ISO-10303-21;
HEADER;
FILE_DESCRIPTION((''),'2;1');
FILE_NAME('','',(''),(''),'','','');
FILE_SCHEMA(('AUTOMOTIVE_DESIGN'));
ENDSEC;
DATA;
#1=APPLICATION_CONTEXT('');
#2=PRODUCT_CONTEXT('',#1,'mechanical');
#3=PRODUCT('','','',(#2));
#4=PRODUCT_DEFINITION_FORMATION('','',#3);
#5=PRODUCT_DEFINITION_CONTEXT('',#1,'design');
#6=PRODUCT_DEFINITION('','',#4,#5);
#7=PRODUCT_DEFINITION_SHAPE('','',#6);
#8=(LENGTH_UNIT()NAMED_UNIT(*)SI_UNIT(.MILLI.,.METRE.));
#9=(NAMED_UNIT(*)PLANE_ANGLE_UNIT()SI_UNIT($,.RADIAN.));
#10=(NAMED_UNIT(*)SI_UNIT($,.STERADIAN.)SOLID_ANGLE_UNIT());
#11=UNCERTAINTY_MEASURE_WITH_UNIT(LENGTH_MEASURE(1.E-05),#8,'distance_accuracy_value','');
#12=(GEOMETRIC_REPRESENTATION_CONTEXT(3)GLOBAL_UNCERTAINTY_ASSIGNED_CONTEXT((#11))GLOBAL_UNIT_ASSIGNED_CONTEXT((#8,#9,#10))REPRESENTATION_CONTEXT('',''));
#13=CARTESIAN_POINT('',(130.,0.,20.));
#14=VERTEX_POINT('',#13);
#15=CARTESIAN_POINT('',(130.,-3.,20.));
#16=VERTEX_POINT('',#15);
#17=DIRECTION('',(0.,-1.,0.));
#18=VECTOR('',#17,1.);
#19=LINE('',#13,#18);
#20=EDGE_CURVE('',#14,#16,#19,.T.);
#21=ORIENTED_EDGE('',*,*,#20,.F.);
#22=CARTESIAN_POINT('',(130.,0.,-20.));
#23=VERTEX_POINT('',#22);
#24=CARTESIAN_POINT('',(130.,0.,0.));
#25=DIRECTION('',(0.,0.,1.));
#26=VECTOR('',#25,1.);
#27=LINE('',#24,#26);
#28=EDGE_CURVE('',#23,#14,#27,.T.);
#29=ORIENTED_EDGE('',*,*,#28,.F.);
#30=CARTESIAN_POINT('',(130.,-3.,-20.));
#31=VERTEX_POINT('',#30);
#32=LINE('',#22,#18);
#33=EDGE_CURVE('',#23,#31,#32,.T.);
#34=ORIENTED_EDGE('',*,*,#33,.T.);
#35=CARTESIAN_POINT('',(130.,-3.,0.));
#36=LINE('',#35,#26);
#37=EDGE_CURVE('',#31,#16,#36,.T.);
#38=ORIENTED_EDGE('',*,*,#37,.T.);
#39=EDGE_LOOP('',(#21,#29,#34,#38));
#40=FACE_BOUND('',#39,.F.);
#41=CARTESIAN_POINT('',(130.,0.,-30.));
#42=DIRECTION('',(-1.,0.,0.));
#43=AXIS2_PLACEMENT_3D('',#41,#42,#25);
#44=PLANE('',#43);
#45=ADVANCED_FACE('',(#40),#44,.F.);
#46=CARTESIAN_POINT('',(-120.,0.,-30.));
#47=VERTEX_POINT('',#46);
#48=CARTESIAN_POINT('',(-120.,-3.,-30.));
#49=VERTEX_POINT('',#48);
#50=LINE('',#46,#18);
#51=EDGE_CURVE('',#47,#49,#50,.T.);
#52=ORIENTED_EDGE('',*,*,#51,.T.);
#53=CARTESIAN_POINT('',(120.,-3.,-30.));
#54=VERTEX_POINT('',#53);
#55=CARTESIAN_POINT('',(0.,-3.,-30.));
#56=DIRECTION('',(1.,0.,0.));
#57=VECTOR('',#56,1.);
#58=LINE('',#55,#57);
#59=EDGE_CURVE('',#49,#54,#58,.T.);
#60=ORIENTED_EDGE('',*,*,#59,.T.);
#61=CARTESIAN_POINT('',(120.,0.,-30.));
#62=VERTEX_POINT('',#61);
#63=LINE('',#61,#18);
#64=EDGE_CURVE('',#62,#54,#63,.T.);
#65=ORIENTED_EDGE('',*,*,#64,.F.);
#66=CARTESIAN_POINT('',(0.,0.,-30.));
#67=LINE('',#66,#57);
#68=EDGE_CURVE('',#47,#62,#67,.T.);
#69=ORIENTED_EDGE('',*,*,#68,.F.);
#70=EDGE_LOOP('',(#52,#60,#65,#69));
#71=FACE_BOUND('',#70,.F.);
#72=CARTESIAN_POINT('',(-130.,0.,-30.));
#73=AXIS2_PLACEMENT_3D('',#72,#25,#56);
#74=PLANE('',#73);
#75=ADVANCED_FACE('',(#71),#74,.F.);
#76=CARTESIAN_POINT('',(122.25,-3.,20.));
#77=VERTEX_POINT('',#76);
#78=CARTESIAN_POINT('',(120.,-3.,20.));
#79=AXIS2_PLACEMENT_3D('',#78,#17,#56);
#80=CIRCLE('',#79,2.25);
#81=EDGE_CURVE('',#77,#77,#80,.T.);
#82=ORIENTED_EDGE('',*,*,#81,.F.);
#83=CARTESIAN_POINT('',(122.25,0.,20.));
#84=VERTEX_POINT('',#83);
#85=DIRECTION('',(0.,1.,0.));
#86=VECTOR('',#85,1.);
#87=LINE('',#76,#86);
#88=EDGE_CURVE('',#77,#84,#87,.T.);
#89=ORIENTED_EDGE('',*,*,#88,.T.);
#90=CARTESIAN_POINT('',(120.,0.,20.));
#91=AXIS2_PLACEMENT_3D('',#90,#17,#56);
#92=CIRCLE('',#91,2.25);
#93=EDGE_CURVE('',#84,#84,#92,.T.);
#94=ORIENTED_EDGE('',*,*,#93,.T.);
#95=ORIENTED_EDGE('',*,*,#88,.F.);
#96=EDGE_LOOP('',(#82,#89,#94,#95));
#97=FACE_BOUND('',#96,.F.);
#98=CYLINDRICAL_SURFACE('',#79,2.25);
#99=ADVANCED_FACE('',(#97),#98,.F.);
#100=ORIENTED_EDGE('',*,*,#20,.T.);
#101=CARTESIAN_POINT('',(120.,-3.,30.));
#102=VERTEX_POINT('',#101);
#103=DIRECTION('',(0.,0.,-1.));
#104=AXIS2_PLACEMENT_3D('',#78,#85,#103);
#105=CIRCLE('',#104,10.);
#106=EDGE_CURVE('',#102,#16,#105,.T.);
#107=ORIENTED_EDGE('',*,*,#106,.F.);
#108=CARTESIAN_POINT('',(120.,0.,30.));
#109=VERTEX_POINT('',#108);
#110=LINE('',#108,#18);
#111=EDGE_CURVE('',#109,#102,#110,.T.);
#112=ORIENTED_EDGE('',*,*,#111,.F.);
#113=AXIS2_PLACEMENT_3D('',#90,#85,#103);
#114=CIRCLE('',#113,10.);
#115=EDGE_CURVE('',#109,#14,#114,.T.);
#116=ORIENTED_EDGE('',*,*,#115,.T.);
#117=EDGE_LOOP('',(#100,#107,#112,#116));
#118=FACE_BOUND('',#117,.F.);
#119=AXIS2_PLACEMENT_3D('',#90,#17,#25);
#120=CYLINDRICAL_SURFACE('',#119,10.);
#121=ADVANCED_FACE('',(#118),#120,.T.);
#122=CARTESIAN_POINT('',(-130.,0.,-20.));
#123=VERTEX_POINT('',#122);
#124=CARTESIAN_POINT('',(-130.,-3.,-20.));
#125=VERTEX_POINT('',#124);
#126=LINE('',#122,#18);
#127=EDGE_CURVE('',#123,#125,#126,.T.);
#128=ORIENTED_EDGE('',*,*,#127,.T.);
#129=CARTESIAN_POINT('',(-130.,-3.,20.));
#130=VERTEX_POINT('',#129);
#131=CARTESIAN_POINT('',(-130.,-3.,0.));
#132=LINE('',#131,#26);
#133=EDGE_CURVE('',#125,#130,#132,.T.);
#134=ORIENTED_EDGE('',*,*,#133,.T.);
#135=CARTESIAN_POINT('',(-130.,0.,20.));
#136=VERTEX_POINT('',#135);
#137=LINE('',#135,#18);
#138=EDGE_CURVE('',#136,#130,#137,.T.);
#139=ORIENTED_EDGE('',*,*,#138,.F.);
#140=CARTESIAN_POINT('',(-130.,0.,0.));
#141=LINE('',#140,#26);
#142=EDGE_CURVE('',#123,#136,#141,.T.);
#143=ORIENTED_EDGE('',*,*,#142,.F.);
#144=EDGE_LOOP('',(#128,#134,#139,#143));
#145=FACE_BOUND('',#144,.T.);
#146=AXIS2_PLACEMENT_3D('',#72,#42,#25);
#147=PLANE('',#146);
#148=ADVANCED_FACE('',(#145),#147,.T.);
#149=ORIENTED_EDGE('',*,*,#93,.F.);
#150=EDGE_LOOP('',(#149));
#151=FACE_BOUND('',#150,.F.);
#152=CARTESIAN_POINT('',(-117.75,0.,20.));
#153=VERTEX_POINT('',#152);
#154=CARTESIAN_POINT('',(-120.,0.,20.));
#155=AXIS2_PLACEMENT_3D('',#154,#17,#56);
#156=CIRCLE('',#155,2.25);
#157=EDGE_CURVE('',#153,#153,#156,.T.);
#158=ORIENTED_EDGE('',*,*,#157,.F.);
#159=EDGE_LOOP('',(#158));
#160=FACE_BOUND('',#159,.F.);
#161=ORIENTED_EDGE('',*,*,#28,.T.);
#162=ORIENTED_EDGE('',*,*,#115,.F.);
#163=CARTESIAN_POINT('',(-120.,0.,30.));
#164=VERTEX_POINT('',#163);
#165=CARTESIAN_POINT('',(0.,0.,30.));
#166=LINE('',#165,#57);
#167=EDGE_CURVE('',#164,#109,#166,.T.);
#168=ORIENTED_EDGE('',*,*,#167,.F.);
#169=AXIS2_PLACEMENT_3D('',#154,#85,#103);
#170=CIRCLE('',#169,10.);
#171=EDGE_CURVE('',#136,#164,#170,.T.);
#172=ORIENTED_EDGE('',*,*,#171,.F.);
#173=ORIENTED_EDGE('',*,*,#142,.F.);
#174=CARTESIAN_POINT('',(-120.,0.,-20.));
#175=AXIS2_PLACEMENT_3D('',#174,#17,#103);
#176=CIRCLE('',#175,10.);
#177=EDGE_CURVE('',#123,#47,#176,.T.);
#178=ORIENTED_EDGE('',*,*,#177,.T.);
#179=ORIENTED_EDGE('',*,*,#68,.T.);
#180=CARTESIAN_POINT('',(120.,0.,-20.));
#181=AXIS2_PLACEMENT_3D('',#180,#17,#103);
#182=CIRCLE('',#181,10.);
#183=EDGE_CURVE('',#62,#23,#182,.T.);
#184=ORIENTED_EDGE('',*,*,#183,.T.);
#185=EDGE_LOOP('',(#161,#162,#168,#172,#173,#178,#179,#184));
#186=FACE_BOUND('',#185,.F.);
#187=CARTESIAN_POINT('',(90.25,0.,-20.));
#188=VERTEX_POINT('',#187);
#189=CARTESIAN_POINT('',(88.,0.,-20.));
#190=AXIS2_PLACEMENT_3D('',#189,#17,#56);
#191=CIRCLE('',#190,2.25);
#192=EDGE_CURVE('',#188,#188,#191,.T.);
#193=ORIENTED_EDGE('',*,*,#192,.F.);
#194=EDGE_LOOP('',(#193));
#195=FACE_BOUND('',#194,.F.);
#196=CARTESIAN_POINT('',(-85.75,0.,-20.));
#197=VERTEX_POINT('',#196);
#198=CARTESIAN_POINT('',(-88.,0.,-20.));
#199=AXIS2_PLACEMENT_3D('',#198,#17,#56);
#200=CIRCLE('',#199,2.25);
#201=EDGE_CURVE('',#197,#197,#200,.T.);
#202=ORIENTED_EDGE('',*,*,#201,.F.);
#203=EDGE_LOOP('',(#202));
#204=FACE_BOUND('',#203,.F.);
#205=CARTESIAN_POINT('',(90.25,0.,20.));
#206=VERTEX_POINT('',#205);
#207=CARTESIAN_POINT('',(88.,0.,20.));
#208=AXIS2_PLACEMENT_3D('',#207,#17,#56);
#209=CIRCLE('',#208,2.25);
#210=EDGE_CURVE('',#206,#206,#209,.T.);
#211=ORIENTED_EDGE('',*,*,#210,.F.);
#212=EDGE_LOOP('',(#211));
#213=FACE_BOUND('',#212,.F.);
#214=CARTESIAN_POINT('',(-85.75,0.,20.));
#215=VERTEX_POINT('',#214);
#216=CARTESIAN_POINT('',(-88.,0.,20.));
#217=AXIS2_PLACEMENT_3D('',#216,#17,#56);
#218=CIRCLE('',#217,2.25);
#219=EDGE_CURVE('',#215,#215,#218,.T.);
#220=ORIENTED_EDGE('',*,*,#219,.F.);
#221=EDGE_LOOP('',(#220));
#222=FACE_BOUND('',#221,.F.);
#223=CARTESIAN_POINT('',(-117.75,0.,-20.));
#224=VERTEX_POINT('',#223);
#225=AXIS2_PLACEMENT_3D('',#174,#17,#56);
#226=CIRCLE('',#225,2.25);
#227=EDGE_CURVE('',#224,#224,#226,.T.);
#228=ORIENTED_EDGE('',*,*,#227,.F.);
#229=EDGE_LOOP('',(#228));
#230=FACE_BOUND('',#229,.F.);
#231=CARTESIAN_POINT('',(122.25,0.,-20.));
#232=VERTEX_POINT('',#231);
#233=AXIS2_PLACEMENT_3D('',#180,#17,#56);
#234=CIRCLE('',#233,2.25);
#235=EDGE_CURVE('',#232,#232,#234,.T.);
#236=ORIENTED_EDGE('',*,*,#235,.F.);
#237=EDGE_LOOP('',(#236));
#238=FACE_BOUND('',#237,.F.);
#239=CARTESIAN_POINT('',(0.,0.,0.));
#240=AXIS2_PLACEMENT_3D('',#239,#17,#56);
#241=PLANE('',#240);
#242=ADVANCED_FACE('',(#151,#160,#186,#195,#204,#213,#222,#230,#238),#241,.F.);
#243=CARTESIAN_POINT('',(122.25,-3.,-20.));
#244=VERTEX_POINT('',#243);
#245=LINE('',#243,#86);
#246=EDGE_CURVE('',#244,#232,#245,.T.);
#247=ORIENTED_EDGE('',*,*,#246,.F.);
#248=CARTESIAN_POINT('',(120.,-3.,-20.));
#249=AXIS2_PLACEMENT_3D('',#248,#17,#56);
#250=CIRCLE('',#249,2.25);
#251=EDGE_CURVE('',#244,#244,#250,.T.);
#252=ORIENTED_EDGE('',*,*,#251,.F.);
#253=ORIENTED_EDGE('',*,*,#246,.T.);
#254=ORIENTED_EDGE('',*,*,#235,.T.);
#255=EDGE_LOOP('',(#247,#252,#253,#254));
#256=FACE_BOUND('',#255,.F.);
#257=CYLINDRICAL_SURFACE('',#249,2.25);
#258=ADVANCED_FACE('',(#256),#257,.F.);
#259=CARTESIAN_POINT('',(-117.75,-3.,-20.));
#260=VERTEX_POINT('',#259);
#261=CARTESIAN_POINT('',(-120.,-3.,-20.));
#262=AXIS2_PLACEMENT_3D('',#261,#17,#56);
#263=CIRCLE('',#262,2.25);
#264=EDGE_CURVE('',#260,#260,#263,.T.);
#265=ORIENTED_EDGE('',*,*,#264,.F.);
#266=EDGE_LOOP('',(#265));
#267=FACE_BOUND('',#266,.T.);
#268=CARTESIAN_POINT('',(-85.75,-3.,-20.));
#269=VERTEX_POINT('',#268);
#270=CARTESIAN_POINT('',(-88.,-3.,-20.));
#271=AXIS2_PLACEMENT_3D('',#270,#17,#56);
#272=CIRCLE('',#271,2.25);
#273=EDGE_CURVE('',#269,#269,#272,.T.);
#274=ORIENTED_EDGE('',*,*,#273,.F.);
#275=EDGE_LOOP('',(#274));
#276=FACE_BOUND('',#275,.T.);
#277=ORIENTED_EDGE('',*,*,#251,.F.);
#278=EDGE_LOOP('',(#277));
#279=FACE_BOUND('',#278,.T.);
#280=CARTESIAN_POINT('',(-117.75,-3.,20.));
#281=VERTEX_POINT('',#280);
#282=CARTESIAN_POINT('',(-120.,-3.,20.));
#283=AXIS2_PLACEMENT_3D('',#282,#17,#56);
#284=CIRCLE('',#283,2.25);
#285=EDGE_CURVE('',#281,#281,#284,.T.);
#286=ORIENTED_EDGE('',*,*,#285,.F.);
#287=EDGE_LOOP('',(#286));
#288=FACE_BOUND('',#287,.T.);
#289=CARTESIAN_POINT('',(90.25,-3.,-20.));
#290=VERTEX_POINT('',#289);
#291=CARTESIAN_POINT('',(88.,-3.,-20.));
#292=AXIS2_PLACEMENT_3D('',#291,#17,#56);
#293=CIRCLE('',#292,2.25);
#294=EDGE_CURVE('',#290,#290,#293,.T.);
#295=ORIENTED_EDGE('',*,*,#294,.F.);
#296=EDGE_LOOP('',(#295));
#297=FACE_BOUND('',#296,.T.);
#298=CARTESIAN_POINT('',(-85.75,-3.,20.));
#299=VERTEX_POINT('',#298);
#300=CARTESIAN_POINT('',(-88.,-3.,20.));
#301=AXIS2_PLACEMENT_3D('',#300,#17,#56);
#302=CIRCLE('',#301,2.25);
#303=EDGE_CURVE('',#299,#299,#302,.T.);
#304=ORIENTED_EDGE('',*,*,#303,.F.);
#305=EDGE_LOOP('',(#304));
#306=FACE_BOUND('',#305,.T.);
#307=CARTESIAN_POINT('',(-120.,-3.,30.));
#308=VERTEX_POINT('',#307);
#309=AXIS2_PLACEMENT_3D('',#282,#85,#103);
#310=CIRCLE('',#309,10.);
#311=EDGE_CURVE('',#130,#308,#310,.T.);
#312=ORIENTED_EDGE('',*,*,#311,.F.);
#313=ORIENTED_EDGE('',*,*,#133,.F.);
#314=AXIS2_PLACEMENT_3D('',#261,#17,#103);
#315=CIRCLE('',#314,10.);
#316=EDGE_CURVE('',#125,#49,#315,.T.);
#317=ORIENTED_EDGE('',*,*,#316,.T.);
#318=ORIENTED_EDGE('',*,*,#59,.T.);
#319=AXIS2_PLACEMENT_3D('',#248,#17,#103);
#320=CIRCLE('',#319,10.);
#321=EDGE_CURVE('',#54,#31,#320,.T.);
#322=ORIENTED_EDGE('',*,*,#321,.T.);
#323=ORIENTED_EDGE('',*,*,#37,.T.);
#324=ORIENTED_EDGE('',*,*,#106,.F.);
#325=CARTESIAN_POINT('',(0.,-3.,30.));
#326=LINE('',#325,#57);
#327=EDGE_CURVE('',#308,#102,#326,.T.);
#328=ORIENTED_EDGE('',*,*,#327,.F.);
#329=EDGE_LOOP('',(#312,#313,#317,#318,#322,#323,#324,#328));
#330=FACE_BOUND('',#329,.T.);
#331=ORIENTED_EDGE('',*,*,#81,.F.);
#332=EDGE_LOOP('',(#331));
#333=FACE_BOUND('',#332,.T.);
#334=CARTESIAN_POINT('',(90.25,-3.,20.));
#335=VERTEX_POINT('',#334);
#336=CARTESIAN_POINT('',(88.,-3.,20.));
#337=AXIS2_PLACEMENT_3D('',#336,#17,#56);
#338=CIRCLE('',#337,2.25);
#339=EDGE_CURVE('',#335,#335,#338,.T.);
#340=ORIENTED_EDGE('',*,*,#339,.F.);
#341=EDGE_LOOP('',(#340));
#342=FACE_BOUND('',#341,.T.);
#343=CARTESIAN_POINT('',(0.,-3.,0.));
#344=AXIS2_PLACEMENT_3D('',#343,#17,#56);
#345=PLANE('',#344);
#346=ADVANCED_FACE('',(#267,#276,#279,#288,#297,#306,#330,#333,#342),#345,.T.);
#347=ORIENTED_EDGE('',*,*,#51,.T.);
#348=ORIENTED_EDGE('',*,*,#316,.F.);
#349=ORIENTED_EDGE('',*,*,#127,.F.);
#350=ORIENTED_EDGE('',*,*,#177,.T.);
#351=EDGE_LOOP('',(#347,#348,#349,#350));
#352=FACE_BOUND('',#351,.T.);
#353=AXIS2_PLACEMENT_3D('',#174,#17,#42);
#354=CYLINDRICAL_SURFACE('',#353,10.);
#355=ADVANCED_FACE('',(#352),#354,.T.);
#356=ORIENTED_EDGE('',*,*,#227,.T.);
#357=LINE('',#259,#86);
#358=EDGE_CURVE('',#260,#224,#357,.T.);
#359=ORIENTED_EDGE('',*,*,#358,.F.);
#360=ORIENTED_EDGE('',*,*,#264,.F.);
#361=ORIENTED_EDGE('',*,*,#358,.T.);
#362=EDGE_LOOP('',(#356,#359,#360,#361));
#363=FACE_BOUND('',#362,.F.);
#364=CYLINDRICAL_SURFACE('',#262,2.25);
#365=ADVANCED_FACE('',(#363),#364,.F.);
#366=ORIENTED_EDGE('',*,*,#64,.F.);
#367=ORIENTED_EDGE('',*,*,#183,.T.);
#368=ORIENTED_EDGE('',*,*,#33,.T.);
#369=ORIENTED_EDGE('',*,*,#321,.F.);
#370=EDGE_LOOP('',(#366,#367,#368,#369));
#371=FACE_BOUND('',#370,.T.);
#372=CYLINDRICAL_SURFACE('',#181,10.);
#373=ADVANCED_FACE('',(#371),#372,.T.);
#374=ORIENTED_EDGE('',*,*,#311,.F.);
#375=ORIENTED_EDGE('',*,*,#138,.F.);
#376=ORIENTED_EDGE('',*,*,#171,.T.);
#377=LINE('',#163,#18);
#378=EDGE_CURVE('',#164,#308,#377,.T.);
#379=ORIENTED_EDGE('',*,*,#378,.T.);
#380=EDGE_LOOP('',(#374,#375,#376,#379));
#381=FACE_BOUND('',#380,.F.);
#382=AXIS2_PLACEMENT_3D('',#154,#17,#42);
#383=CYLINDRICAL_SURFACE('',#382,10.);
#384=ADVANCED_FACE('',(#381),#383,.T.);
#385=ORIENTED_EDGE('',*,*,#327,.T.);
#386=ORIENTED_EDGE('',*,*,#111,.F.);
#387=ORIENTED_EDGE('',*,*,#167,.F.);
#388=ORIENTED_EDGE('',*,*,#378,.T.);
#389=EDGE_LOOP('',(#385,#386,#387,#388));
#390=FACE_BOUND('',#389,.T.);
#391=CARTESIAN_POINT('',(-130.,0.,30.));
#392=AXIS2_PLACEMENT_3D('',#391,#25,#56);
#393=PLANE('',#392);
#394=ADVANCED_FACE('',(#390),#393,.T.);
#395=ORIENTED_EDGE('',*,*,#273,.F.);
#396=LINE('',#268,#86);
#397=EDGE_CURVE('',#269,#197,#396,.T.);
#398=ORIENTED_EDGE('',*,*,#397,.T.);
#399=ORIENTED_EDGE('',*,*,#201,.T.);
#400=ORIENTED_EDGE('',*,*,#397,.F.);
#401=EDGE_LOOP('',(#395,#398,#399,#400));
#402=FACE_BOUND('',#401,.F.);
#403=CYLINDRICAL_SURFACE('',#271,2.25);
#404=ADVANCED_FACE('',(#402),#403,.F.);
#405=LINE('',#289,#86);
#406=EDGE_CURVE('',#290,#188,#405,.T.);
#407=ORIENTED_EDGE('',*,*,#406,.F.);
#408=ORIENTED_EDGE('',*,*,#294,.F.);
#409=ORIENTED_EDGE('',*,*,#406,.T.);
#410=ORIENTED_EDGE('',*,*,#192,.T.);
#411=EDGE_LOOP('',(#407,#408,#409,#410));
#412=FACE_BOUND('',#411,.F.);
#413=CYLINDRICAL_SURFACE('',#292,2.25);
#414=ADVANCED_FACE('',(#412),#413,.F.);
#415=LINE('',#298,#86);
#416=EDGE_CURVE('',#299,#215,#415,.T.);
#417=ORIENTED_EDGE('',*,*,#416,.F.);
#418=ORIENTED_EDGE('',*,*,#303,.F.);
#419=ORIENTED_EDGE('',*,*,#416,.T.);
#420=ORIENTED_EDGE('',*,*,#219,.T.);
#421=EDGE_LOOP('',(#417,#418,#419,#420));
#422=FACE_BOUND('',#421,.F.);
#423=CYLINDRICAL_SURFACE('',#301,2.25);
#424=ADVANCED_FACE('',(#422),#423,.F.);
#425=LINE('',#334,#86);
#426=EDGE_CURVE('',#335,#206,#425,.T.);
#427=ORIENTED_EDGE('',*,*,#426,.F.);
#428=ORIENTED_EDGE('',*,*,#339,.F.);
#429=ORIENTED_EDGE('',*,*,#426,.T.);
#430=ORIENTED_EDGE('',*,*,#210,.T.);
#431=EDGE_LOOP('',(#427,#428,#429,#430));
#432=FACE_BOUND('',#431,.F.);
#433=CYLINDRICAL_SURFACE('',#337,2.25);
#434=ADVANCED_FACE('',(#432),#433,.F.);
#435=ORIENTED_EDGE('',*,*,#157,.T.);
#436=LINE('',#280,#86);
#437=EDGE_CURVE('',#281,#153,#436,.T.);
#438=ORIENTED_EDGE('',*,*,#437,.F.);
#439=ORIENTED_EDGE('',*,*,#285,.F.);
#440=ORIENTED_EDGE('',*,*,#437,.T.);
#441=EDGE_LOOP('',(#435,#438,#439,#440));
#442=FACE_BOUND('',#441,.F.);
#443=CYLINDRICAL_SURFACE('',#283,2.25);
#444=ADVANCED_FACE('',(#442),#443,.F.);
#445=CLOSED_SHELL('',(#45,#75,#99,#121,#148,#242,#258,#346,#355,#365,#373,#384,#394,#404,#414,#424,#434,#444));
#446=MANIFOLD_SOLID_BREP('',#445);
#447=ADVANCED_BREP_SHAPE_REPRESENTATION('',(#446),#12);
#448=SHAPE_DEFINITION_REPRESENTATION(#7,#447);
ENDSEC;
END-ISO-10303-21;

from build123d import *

# Parameters (mm, degrees)
F0_W     = 260
F0_H     = 60
F1_DEPTH = 3
F2_R     = 2.25
F3_DEPTH = 3.001
F4_R     = 10


with BuildPart() as f1:
    # F0 (on Front) → F1 (new body)
    with BuildSketch(Plane.XZ):
        Rectangle(F0_W, F0_H)
    extrude(amount=F1_DEPTH)

    # F2 (on face) → F3 (cut, through all)
    with BuildSketch(Plane.XZ.offset(3)):
        with Locations((-120, 20)):
            Circle(F2_R)
        with Locations((-120, -20)):
            Circle(F2_R)
        with Locations((-88, 20)):
            Circle(F2_R)
        with Locations((-88, -20)):
            Circle(F2_R)
        with Locations((88, 20)):
            Circle(F2_R)
        with Locations((120, 20)):
            Circle(F2_R)
        with Locations((120, -20)):
            Circle(F2_R)
        with Locations((88, -20)):
            Circle(F2_R)
    extrude(amount=-F3_DEPTH, mode=Mode.SUBTRACT)

    # F4
    f4_edges = [f1.edges().sort_by_distance(p)[0] for p in [
        (-130, -1.5, 30),
        (-130, -1.5, -30),
        (130, -1.5, -30),
        (130, -1.5, 30),
    ]]
    fillet(f4_edges, radius=F4_R)


solid = f1.part
